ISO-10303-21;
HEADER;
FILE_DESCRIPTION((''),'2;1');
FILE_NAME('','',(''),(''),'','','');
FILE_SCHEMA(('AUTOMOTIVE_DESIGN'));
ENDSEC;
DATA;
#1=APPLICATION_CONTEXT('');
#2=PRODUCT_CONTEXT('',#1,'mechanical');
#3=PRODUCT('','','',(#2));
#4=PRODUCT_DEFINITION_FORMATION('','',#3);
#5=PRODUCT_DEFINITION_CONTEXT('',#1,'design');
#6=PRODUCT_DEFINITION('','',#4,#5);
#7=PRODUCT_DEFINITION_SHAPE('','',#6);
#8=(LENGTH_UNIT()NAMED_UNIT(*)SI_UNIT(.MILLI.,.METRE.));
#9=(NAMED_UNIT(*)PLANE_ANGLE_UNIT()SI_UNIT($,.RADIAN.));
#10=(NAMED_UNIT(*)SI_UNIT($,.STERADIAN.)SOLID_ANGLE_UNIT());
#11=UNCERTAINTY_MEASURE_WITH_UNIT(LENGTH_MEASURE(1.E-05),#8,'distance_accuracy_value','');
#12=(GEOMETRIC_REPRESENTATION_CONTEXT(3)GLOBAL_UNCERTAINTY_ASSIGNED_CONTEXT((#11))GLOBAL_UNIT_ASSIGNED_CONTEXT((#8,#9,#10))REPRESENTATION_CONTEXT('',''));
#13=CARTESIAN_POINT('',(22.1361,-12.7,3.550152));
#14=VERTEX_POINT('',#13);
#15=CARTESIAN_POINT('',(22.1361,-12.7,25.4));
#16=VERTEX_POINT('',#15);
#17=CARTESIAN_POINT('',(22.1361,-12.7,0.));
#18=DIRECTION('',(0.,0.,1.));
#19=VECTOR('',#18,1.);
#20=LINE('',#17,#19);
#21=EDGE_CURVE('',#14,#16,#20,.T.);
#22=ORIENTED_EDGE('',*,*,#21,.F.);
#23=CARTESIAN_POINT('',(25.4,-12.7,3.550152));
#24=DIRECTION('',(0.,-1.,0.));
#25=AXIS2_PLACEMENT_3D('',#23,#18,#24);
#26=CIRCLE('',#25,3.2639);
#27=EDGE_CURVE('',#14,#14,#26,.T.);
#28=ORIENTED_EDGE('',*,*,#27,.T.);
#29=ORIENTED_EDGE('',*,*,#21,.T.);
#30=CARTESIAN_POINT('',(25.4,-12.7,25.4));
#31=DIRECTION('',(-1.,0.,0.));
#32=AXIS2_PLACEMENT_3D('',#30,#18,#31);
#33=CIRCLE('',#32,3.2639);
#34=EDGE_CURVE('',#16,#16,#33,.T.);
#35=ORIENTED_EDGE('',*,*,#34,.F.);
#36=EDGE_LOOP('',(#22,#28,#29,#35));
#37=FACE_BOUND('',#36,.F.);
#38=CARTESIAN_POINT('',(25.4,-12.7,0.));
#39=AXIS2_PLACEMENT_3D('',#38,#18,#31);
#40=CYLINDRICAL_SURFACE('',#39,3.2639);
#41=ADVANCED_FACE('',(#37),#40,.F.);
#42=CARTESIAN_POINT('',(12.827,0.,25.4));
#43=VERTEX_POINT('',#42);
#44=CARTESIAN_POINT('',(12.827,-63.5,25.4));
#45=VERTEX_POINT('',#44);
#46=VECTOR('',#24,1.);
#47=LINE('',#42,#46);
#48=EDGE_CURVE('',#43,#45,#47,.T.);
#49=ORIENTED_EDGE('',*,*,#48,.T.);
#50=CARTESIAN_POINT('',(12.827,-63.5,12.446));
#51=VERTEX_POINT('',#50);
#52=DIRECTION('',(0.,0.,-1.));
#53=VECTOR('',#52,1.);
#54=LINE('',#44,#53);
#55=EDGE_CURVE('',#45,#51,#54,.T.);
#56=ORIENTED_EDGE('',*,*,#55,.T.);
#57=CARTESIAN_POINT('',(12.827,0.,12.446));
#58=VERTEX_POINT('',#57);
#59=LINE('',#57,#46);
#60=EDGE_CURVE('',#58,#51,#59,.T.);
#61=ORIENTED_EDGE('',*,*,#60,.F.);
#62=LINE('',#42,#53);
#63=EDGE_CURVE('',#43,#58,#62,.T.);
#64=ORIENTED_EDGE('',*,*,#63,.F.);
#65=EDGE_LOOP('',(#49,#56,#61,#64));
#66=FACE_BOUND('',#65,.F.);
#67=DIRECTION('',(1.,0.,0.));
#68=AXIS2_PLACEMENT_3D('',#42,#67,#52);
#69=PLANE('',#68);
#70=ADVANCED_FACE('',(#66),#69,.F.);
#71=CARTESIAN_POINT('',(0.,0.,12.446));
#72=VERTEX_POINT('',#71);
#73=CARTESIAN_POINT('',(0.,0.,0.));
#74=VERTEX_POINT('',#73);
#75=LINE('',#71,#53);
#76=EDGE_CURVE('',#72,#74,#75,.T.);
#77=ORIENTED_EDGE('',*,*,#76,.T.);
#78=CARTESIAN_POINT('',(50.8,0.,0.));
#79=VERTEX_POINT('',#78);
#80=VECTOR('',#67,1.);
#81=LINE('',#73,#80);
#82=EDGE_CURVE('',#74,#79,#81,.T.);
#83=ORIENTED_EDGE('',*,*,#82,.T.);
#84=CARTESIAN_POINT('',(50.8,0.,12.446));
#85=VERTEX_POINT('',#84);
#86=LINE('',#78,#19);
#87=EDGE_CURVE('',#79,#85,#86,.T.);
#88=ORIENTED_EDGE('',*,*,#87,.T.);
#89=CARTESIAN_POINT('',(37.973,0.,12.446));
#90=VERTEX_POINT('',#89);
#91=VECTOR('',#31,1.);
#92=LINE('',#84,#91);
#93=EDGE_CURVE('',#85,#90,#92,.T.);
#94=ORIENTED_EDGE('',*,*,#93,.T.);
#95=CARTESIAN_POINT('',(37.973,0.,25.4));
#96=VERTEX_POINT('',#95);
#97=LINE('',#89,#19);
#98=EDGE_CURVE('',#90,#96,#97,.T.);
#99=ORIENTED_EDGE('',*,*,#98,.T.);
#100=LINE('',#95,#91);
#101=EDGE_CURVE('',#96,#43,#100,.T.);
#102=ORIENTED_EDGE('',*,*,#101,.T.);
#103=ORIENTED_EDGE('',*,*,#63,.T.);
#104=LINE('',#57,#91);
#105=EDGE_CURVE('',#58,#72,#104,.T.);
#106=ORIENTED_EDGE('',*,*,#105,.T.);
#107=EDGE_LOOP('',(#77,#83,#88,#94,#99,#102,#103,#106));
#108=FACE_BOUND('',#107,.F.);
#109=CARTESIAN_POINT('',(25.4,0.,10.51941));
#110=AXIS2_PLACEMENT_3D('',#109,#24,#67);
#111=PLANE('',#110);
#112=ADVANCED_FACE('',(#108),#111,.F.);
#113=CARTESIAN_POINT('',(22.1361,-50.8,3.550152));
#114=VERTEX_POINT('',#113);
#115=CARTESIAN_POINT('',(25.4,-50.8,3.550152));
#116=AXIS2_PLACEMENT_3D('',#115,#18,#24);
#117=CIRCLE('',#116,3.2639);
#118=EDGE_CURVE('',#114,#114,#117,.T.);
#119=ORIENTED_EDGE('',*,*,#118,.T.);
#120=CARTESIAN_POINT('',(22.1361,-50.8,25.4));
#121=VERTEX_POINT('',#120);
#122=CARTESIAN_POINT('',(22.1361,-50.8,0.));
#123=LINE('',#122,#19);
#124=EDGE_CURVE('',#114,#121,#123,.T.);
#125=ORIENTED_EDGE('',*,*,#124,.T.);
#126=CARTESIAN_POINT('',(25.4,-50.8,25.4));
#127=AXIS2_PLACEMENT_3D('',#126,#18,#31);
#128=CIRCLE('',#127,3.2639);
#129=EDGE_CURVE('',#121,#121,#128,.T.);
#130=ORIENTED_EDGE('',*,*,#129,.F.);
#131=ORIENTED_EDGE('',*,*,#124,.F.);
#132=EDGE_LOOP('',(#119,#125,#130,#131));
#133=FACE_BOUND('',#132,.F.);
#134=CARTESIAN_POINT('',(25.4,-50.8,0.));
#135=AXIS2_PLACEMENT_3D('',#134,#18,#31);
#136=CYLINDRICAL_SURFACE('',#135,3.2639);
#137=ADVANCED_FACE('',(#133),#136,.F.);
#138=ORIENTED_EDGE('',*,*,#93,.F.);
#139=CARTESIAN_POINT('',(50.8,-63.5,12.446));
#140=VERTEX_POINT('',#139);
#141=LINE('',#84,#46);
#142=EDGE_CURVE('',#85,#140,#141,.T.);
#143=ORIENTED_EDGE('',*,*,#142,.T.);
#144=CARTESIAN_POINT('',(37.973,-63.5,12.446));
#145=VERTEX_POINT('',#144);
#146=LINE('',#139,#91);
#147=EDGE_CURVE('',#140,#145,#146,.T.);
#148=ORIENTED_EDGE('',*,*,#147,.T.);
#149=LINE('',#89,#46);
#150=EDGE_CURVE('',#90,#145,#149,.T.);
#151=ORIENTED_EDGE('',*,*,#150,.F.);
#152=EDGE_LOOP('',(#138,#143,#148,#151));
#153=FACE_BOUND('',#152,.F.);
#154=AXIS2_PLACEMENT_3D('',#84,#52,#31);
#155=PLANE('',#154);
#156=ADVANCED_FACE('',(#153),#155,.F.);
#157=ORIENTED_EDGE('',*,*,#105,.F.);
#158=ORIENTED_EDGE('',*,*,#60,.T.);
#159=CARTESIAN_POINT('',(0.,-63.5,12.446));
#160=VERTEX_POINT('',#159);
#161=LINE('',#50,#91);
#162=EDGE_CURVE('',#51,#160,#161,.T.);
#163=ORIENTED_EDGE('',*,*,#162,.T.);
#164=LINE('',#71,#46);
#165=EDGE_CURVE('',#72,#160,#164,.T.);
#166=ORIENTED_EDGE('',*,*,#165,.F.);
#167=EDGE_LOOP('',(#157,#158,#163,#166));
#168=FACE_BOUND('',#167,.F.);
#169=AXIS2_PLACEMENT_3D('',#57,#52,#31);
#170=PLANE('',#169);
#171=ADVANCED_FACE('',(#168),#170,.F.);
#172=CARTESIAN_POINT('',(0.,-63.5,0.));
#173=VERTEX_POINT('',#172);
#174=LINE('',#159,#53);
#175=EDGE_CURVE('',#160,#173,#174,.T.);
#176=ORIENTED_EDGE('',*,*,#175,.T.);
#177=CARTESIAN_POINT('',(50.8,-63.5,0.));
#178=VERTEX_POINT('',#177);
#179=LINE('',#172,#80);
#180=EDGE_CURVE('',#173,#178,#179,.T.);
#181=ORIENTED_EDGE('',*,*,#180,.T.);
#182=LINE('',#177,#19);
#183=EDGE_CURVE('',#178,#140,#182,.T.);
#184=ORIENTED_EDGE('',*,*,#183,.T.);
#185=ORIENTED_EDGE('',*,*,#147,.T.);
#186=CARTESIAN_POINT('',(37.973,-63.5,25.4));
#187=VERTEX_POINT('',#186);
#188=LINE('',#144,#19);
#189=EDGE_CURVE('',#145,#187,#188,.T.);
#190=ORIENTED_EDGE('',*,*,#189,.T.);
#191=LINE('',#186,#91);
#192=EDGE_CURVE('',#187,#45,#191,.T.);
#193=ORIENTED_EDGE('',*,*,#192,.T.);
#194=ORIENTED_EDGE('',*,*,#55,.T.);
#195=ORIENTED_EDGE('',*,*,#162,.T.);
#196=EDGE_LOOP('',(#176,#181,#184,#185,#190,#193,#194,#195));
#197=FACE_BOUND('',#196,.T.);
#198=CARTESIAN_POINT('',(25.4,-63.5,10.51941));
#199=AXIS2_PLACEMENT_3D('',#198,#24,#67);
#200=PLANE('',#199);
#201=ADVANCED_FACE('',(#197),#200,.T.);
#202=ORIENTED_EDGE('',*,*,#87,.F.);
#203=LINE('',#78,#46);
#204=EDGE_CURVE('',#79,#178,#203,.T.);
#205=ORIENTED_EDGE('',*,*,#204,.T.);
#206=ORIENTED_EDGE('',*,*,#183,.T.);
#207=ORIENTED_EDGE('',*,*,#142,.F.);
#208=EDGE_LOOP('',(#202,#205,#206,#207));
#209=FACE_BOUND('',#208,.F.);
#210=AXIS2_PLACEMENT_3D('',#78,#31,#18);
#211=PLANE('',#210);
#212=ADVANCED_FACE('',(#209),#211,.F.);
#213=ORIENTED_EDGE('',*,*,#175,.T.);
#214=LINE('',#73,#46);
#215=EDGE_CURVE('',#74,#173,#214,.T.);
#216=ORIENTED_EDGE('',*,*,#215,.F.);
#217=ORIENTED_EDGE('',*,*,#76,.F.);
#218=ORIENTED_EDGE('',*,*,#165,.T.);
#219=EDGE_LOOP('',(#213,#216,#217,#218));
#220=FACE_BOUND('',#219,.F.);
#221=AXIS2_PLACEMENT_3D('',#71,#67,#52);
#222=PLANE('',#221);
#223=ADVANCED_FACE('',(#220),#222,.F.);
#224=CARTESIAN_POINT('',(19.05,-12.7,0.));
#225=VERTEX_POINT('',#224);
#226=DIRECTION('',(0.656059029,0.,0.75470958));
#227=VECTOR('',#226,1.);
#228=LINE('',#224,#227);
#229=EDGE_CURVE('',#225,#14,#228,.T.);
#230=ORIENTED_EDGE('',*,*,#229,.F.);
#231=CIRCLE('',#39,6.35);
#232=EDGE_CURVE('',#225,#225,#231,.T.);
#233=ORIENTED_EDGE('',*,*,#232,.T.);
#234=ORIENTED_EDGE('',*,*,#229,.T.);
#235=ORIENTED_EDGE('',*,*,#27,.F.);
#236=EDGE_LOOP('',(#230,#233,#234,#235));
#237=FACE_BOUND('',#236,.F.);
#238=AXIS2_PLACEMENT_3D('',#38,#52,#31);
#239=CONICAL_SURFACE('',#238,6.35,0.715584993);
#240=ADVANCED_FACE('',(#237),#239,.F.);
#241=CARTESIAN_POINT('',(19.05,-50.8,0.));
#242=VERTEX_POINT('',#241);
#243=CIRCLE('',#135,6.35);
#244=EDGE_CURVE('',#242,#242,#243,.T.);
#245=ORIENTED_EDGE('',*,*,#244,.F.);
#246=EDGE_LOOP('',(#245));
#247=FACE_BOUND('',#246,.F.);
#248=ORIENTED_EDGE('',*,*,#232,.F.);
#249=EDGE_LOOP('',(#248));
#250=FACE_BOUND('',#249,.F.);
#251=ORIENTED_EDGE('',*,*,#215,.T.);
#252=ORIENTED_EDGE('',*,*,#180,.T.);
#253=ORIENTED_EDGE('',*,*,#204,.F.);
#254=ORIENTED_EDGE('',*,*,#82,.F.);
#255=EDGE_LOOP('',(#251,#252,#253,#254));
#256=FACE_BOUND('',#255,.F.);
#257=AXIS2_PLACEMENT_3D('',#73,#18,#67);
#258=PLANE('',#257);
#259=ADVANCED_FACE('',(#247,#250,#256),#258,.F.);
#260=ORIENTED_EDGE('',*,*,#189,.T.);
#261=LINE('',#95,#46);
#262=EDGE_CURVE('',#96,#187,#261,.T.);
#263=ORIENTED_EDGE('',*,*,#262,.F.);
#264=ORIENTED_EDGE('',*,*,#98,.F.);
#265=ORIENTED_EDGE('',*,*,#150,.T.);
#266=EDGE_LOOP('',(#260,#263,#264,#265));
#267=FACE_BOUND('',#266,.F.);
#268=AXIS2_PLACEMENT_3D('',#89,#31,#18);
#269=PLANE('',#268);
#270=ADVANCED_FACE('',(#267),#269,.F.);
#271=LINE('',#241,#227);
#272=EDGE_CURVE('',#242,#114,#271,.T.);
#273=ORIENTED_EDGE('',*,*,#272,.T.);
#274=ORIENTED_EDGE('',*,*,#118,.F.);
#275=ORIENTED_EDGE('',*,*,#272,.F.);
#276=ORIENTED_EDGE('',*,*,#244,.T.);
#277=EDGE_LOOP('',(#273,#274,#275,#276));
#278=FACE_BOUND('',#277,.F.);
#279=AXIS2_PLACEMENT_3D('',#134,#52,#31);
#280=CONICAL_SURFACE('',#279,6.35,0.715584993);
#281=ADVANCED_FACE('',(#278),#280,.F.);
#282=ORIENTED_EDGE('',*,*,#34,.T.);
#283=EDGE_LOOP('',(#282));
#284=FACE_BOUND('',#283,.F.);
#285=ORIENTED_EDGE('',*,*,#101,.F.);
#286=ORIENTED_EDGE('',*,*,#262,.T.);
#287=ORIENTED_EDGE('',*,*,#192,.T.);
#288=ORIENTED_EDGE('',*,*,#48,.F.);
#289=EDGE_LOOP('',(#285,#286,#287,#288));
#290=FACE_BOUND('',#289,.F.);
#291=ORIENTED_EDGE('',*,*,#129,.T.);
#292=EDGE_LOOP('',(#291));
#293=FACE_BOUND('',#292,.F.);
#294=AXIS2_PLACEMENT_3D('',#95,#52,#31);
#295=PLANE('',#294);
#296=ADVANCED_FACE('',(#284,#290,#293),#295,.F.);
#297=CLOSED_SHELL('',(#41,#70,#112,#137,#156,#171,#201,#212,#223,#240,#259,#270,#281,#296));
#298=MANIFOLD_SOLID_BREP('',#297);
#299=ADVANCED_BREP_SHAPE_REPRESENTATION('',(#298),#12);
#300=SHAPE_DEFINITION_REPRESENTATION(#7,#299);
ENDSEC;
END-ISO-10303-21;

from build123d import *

# Parameters (mm, degrees)
F1_DEPTH       = 63.5
F3_D           = 6.5278
F3_CSINK_D     = 12.7
F3_CSINK_ANGLE = 82


with BuildPart() as f1:
    # F0 (on Front) → F1 (new body)
    with BuildSketch(Plane.XZ):
        Polygon((0, 12.446), (0, 0), (50.8, 0), (50.8, 12.446), (37.973, 12.446), (37.973, 25.4), (12.827, 25.4), (12.827, 12.446), align=None)
    extrude(amount=F1_DEPTH)

    # F3 (through all)
    with Locations(Plane(origin=(0, 0, 0), x_dir=(1, 0, 0), z_dir=(0, 0, -1))):
        with Locations((25.4, 50.8), (25.4, 12.7)):
            CounterSinkHole(F3_D / 2, F3_CSINK_D / 2, counter_sink_angle=F3_CSINK_ANGLE)


solid = f1.part
